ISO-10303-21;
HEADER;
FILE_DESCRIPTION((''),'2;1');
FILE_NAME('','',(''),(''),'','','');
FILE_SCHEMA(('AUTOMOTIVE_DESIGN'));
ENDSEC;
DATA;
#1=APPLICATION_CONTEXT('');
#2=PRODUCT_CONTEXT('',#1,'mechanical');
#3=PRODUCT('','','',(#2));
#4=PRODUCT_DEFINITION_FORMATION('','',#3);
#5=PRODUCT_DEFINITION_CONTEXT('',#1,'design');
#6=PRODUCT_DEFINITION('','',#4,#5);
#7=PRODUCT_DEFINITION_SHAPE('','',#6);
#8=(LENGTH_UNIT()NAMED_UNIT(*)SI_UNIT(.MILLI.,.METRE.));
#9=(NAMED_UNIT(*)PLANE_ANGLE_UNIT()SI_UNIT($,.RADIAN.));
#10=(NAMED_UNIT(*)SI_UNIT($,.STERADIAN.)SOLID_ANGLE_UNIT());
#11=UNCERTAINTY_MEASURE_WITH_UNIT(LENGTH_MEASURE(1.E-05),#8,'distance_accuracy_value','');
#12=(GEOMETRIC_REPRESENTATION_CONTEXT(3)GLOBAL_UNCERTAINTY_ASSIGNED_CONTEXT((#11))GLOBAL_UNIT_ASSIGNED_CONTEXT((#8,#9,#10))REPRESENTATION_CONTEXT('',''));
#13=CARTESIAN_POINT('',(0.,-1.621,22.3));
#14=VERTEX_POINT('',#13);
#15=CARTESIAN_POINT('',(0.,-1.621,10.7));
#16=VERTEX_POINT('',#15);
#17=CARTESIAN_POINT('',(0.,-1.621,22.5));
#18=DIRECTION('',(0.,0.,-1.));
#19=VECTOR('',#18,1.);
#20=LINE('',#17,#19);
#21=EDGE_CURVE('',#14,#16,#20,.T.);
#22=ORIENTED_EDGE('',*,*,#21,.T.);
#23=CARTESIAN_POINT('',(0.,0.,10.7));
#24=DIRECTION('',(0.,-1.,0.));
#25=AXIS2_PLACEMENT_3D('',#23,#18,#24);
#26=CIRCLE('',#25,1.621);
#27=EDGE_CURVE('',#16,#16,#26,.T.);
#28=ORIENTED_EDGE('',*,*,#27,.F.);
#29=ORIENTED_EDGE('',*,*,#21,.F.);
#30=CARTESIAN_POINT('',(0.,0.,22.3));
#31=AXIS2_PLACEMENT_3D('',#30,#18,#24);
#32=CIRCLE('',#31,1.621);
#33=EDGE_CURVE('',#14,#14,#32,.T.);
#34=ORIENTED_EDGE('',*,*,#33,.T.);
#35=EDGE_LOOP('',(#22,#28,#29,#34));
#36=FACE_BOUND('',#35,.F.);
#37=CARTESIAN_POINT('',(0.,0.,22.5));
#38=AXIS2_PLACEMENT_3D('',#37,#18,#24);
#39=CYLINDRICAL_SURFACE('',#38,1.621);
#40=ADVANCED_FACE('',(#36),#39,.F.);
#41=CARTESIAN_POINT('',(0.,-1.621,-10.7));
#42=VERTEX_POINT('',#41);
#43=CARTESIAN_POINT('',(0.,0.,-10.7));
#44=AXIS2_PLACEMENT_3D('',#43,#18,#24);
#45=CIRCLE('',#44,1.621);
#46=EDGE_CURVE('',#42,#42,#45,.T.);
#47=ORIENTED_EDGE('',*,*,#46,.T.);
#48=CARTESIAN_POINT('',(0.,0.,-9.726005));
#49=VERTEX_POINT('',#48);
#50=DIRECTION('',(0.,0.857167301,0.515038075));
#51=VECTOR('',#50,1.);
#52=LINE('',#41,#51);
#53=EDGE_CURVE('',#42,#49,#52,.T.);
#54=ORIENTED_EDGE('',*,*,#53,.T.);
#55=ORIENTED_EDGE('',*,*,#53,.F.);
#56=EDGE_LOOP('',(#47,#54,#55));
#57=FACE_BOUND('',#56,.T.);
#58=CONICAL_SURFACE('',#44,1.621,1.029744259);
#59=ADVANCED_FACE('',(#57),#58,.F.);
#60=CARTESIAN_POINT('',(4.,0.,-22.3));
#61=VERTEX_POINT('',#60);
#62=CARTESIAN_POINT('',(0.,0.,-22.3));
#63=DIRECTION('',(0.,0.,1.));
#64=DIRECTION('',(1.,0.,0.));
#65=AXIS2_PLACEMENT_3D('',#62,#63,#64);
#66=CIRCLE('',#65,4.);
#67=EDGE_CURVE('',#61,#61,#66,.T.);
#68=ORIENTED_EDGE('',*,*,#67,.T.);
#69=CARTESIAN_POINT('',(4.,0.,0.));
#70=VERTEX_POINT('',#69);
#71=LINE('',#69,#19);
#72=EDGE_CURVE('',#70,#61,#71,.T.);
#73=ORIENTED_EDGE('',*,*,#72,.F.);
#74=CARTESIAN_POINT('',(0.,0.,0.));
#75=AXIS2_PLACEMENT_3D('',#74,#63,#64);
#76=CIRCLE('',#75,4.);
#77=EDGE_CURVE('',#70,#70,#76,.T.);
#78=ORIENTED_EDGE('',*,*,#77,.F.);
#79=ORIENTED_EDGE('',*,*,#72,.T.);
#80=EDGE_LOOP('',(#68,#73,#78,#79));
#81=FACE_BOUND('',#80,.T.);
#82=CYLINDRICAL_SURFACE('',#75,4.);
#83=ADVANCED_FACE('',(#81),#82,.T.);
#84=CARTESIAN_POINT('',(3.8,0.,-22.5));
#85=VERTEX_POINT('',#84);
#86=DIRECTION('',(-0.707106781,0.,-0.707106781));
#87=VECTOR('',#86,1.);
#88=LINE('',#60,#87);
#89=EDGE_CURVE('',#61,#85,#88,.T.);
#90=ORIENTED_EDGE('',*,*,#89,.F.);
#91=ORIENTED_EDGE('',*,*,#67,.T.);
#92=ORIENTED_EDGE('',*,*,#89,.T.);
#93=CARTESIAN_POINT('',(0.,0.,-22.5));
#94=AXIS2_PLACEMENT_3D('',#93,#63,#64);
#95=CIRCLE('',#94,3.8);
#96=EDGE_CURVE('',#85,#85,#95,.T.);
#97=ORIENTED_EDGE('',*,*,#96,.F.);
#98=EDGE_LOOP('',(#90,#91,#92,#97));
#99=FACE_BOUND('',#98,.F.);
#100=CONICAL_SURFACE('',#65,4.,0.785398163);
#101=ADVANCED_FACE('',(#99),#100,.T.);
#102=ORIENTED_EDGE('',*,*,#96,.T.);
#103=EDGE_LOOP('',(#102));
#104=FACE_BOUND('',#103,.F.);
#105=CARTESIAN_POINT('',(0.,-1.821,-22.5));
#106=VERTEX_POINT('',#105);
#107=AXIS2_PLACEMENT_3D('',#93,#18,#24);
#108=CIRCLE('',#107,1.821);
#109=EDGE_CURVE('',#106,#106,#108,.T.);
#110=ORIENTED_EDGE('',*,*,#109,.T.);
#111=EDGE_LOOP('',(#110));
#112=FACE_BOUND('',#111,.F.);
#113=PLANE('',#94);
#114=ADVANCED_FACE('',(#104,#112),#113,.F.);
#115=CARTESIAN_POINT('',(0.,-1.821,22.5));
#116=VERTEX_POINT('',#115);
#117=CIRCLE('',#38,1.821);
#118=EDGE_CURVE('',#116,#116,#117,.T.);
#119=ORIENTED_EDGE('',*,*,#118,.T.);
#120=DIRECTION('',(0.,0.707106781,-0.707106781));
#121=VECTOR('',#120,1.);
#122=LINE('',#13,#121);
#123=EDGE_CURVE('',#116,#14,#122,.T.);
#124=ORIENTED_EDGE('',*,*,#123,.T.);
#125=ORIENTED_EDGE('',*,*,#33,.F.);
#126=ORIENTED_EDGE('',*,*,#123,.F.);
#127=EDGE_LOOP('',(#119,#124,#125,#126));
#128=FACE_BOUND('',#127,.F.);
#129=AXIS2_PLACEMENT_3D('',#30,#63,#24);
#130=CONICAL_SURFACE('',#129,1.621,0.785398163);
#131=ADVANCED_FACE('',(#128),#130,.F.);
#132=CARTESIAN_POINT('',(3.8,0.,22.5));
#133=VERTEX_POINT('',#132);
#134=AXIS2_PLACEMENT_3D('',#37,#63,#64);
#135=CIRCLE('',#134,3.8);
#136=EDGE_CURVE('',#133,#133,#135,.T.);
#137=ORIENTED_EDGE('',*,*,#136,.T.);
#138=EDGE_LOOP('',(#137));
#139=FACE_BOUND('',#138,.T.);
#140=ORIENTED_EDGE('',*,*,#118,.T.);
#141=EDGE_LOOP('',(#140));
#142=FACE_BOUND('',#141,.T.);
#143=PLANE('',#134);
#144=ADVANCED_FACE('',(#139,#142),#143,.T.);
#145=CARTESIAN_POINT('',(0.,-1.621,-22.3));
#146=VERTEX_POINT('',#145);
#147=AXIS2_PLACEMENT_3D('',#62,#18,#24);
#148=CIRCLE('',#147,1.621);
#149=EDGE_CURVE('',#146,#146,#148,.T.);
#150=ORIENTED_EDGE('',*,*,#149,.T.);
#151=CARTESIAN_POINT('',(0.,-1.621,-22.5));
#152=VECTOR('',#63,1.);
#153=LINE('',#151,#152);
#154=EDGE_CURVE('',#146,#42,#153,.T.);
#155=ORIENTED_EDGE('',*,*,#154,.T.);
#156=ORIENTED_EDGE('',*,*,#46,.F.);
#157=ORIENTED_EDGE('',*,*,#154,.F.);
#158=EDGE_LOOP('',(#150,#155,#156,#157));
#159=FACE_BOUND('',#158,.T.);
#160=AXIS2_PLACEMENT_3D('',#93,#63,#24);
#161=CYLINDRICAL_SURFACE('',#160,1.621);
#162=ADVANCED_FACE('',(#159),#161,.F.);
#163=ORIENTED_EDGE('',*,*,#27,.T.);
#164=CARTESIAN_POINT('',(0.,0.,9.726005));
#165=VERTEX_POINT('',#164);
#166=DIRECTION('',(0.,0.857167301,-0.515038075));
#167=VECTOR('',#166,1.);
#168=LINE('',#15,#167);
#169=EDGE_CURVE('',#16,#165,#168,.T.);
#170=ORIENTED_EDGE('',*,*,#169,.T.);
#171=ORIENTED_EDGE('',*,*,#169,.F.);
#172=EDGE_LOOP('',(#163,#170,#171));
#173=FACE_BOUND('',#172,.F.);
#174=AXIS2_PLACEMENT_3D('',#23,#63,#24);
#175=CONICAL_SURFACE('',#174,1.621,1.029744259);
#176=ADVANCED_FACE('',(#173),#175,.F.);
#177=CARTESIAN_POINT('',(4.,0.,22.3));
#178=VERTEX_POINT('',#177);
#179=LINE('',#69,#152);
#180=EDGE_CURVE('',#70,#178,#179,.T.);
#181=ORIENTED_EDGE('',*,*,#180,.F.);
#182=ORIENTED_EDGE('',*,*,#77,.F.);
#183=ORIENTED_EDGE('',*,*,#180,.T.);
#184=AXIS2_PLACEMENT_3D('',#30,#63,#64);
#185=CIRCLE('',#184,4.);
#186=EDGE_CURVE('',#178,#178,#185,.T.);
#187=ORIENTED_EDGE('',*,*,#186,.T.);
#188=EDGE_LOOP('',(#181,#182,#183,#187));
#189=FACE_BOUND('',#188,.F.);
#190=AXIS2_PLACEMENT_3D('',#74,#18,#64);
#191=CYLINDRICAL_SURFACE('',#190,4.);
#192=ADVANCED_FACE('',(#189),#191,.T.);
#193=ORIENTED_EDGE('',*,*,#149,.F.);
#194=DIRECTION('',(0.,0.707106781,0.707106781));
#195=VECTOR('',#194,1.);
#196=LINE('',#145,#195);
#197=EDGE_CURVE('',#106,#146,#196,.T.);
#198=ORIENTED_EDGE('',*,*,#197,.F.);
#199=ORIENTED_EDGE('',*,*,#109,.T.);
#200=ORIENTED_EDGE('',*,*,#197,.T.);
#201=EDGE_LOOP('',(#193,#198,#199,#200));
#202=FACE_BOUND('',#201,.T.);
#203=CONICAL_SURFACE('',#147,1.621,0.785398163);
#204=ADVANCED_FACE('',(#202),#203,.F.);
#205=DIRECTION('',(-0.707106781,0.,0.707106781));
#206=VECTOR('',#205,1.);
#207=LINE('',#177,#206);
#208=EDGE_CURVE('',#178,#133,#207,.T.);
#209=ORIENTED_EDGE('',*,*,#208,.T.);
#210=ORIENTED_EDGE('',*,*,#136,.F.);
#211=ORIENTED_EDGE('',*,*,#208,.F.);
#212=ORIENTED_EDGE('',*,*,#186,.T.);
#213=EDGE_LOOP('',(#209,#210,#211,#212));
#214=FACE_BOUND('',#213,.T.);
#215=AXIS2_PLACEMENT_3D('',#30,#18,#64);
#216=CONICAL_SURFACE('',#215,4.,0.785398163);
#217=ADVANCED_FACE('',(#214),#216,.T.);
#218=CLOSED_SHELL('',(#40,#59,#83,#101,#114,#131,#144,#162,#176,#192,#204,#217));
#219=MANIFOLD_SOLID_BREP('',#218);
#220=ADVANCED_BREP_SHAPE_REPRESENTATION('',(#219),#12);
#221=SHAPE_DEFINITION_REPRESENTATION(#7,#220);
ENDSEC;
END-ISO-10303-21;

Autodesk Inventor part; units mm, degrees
ref_plane "YZ Plane" through (0, 0, 0) normal (1, 0, 0) x (0, 1, 0)
ref_plane "XZ Plane" through (0, 0, 0) normal (0, 1, 0) x (-1, 0, 0)
ref_plane "XY Plane" through (0, 0, 0) normal (0, 0, 1) x (1, 0, 0)
sketch "スケッチ1" plane through (0, 0, 0) normal (0, 0, 1) x (1, 0, 0)
  circle A0 centre (0, 0) radius 4
  dimension "d13" = 8
extrude "押し出し1" add sketch "スケッチ1" along normal mid plane 45
sketch "スケッチ2" plane through (0, 0, 22.5) normal (0, 0, 1) x (1, 0, 0)
  point P0 (0, 0)
  point P1 (0, 0)
hole "穴1" at (0, 0, 22.5) direction (0, 0, -1) diameter 3.242 depth 11.8 tip angle 118 thread size "M4x0.7" class "6H" standard "ANSI Metric M Profile"
mirror "ミラー1" about plane through (0, 0, 0) normal (0, 0, 1) of "穴1"
chamfer "面取り1" distance 0.2 angle 45 4 edges at (0, 1.621, 22.5) (-4, 0, 22.5) (-4, 0, -22.5) (0, 1.621, -22.5)
properties part number "ARF-445" material "鋼、炭素鋼"
